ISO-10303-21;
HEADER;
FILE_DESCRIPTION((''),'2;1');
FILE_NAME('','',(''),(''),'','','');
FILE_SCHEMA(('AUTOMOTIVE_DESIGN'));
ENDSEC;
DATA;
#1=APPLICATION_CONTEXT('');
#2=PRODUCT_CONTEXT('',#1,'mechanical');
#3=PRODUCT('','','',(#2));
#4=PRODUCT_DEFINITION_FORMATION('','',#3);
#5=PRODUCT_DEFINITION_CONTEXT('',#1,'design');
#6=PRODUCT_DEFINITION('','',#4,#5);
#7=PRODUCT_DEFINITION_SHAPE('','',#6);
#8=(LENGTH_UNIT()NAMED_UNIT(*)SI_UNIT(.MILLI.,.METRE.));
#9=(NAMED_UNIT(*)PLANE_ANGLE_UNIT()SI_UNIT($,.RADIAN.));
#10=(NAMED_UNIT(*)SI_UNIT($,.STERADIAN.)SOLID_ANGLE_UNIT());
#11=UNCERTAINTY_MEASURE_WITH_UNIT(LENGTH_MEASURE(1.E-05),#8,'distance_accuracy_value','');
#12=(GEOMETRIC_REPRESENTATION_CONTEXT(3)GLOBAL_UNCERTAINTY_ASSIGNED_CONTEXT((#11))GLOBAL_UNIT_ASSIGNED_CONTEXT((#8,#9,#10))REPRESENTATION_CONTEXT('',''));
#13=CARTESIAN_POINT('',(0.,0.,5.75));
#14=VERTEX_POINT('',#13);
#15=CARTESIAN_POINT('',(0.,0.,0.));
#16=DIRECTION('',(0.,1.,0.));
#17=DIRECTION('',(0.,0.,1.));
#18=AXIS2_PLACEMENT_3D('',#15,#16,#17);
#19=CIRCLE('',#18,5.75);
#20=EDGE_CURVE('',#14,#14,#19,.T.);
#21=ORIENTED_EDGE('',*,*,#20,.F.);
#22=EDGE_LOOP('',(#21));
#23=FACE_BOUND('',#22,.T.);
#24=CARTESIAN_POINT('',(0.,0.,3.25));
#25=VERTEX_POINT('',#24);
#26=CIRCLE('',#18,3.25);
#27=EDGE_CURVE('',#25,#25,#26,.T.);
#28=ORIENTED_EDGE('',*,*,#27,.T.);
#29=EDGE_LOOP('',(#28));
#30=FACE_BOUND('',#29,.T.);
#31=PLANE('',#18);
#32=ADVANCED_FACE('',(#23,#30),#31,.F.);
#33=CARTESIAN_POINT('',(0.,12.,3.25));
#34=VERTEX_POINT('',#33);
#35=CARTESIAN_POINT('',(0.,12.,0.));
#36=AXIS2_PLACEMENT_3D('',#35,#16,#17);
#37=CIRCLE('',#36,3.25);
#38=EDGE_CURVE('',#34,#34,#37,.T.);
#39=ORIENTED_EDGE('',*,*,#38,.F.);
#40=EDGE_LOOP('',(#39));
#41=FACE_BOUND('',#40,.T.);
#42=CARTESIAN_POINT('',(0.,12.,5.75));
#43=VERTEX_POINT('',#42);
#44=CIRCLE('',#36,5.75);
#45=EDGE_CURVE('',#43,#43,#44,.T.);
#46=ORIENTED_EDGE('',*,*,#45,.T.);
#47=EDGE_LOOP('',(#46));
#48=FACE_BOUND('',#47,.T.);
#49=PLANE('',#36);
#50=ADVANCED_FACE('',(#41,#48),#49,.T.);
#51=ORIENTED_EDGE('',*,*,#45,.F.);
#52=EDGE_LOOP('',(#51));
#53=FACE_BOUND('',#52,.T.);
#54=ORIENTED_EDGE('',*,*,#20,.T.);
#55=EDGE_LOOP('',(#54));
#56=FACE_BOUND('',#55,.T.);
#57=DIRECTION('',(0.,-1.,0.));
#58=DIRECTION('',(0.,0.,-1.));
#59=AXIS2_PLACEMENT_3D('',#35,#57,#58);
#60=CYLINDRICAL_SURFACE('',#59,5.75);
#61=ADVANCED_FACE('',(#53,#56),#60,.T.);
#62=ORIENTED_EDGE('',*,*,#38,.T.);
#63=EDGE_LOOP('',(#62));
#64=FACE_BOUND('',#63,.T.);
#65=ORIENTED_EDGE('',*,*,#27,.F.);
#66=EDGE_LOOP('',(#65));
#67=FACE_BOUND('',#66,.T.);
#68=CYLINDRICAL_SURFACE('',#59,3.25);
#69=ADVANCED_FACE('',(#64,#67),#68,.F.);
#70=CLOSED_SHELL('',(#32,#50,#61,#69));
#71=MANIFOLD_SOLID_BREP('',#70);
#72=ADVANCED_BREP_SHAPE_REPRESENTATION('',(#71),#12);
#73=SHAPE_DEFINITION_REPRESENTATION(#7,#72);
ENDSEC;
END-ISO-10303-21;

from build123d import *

# Parameters (mm, degrees)
SKETCH1_R   = 5.75
SKETCH1_R_2 = 3.25
BODY_DEPTH  = 12


with BuildPart() as part:
    # Sketch1 → Body (new body)
    with BuildSketch(Plane(origin=(0, 0, 0), x_dir=(1, 0, 0), z_dir=(0, 1, 0))):
        with Locations(Location((0, 0, 0), (0, 0, 270))):
            Circle(SKETCH1_R)
        with Locations(Location((0, 0, 0), (0, 0, 270))):
            Circle(SKETCH1_R_2, mode=Mode.SUBTRACT)
    extrude(amount=BODY_DEPTH)


solid = part.part
